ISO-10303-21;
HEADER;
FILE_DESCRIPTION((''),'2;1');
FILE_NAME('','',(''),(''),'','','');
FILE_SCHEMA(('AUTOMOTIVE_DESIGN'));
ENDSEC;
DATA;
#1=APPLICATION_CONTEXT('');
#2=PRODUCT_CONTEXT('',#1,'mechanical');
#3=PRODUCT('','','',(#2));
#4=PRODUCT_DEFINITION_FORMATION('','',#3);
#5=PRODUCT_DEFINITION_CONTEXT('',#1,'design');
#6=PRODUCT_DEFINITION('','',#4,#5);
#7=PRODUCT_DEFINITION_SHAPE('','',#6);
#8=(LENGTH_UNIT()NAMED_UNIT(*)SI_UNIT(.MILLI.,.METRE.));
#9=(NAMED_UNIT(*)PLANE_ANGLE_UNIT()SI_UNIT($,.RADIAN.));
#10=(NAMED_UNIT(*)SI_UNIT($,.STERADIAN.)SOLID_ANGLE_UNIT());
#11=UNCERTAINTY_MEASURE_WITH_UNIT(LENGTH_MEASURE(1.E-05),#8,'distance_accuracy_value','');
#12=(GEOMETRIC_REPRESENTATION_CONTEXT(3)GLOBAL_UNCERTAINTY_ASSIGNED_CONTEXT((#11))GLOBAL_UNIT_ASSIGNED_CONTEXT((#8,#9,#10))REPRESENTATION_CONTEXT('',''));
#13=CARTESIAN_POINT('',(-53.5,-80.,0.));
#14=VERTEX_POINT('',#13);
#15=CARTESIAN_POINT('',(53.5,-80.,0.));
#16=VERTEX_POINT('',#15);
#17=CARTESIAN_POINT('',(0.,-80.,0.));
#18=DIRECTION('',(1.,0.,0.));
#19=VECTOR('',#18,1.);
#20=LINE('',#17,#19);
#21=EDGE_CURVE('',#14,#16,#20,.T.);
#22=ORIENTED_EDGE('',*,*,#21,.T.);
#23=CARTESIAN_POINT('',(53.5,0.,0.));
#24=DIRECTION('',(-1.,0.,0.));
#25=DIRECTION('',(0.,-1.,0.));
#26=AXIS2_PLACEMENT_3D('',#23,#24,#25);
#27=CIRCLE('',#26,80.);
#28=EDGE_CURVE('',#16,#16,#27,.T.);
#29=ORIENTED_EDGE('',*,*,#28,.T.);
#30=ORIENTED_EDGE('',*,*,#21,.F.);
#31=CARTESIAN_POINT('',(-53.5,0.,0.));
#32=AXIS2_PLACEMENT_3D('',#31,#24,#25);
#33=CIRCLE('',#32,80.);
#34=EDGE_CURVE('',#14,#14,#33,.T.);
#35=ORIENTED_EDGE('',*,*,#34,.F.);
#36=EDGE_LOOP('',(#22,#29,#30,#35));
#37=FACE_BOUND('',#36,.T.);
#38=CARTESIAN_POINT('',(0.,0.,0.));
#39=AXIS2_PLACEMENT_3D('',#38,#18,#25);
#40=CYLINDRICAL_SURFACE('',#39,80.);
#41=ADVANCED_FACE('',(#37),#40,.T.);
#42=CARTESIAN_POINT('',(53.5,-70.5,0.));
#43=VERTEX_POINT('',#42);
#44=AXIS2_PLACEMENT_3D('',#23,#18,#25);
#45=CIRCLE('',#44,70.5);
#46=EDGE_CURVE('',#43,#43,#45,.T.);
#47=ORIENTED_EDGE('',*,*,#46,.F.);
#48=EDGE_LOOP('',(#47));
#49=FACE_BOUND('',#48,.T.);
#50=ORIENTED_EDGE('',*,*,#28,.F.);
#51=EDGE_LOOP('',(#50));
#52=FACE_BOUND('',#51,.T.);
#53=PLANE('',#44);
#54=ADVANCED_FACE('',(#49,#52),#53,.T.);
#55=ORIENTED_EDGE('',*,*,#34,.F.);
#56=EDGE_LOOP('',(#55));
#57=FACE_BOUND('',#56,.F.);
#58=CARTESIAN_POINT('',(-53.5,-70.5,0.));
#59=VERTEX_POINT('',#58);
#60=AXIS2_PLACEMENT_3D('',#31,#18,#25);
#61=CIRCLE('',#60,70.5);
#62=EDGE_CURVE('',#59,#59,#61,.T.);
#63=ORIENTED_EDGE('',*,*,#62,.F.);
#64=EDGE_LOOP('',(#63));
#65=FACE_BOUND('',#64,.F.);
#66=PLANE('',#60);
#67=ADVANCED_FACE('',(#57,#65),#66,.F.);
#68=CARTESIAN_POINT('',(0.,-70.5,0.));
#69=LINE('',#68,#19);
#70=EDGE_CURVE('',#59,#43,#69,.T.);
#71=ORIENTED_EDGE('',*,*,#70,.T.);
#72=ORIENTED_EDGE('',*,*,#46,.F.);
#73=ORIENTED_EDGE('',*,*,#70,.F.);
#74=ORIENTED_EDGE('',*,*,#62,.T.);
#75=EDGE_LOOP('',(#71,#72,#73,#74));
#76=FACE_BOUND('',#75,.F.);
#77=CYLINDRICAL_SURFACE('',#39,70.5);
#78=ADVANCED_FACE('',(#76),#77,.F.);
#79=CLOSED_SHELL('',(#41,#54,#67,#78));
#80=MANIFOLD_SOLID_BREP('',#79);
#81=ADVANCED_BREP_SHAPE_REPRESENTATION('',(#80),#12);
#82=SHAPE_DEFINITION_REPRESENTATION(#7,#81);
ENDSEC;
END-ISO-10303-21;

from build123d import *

# Parameters (mm, degrees)
F0_W          = 107
F0_H          = 9.5
F1_ANGLE_BACK = 90
F1_ANGLE      = 180


with BuildPart() as f1:
    # F0 (on Front) → F1 (revolve)
    with BuildSketch(Plane.XZ, mode=Mode.PRIVATE) as f1_sk:
        with Locations((0, 75.25)):
            Rectangle(F0_W, F0_H)
        with Locations((0, -75.25)):
            Rectangle(F0_W, F0_H)
    revolve(f1_sk.sketch.rotate(Axis((100, 0, 0), (1, 0, 0)), -F1_ANGLE_BACK), axis=Axis((100, 0, 0), (1, 0, 0)), revolution_arc=F1_ANGLE)


solid = f1.part
